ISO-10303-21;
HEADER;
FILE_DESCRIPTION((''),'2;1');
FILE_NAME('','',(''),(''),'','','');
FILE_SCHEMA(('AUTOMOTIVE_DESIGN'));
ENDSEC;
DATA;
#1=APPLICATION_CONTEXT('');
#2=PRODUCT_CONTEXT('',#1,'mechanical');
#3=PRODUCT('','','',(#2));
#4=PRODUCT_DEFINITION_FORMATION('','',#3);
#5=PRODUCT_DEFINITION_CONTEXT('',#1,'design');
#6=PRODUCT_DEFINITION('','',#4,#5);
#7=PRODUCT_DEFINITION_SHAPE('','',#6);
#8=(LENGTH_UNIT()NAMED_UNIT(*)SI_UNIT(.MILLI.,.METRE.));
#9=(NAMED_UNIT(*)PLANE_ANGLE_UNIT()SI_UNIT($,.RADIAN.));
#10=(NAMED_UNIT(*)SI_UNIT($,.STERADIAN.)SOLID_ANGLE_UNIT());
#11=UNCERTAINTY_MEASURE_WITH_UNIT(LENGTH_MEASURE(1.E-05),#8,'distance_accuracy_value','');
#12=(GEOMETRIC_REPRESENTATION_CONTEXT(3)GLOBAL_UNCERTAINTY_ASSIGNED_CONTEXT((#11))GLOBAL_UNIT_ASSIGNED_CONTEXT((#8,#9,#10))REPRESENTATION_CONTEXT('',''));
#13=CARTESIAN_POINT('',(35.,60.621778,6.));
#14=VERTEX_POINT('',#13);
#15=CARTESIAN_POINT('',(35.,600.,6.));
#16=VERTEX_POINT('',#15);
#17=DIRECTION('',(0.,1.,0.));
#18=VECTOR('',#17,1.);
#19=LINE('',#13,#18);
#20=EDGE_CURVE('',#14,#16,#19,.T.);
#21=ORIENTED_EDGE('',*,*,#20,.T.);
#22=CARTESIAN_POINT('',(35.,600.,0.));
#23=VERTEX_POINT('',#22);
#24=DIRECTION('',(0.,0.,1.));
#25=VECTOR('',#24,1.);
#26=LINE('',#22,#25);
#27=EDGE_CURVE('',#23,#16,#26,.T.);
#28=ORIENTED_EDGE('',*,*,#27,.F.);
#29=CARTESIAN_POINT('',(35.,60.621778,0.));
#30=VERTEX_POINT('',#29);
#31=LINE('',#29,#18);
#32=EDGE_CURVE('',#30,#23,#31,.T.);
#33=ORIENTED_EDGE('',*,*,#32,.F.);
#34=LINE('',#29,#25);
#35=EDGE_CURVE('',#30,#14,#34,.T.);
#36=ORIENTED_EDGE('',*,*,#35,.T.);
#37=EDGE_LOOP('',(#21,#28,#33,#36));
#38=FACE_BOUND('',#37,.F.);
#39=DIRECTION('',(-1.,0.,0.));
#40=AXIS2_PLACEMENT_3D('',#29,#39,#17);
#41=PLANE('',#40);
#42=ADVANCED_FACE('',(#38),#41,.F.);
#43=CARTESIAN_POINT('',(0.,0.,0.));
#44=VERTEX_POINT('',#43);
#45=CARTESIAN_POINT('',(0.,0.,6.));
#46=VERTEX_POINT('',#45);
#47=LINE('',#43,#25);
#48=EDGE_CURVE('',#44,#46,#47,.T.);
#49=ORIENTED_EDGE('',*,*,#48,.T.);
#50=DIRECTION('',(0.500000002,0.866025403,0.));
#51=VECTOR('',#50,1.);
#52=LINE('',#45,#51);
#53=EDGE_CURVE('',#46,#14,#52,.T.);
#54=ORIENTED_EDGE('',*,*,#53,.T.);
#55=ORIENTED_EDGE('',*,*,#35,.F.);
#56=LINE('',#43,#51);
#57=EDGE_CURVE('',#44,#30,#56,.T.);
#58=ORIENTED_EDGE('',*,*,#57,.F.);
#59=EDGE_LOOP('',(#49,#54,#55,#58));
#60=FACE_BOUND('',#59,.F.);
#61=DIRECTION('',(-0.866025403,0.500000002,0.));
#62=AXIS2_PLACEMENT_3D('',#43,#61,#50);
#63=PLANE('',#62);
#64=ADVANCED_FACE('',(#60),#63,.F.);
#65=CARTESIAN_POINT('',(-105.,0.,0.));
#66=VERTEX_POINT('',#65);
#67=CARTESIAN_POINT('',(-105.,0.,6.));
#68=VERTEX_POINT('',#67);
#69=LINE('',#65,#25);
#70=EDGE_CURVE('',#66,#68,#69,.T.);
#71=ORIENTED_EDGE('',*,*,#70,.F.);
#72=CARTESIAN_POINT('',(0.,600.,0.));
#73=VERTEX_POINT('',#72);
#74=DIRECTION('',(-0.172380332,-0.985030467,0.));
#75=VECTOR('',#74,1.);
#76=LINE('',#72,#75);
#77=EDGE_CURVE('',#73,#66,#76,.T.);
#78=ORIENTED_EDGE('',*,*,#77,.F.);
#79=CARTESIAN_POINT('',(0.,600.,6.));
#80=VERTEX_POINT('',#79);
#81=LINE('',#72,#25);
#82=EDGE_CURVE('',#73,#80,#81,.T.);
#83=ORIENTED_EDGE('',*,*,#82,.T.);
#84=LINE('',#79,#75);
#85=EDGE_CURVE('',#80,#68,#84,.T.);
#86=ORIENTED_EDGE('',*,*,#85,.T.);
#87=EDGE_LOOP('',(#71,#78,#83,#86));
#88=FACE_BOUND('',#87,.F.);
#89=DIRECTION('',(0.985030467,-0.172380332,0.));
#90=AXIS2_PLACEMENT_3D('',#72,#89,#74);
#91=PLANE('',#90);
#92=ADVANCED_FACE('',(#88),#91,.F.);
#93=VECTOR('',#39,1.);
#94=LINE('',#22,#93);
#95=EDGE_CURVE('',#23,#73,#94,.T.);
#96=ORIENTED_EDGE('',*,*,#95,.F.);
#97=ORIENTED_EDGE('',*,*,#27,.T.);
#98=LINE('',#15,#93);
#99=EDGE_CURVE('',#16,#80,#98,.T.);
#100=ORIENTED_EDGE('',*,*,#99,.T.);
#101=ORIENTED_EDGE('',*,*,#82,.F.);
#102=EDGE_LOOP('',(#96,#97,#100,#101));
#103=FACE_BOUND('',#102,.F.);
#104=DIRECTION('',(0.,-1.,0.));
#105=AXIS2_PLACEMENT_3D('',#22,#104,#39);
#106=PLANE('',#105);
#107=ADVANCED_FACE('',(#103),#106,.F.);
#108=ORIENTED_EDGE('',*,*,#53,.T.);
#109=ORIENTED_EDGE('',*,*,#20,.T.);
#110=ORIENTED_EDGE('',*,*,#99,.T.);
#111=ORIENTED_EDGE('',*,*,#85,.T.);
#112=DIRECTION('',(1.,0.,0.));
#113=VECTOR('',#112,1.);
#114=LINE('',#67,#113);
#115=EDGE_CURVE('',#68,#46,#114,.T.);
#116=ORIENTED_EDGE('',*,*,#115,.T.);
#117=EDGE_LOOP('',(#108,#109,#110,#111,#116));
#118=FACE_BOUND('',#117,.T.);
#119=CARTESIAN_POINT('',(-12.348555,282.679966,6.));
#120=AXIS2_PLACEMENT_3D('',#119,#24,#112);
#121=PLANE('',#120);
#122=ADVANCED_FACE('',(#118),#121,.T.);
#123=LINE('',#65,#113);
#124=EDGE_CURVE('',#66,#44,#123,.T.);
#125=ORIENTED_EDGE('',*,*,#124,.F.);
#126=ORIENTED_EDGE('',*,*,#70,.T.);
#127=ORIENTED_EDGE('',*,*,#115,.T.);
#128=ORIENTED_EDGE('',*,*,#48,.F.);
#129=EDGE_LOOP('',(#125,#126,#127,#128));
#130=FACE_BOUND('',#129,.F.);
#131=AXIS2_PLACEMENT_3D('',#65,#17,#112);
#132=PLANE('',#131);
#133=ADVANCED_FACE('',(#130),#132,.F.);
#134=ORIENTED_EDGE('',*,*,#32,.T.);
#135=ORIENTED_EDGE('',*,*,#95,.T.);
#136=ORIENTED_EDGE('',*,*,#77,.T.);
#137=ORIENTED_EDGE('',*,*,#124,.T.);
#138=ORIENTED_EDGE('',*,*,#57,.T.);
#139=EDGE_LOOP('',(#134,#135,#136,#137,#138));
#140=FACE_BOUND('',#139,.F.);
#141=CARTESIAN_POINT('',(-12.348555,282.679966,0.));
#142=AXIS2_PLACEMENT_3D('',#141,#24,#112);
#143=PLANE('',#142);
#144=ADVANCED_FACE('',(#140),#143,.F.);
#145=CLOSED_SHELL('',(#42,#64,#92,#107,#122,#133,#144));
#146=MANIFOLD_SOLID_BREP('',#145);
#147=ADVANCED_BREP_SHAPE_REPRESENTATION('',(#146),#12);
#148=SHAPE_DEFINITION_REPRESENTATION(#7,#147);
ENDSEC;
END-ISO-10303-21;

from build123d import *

# Parameters (mm, degrees)
PAD_DEPTH = 6


with BuildPart() as part:
    # Sketch → Pad (new body)
    with BuildSketch(Plane.XY):
        Polygon((0, 0), (35, 60.621778), (35, 600), (0, 600), (-105, 0), align=None)
    extrude(amount=PAD_DEPTH)


solid = part.part
